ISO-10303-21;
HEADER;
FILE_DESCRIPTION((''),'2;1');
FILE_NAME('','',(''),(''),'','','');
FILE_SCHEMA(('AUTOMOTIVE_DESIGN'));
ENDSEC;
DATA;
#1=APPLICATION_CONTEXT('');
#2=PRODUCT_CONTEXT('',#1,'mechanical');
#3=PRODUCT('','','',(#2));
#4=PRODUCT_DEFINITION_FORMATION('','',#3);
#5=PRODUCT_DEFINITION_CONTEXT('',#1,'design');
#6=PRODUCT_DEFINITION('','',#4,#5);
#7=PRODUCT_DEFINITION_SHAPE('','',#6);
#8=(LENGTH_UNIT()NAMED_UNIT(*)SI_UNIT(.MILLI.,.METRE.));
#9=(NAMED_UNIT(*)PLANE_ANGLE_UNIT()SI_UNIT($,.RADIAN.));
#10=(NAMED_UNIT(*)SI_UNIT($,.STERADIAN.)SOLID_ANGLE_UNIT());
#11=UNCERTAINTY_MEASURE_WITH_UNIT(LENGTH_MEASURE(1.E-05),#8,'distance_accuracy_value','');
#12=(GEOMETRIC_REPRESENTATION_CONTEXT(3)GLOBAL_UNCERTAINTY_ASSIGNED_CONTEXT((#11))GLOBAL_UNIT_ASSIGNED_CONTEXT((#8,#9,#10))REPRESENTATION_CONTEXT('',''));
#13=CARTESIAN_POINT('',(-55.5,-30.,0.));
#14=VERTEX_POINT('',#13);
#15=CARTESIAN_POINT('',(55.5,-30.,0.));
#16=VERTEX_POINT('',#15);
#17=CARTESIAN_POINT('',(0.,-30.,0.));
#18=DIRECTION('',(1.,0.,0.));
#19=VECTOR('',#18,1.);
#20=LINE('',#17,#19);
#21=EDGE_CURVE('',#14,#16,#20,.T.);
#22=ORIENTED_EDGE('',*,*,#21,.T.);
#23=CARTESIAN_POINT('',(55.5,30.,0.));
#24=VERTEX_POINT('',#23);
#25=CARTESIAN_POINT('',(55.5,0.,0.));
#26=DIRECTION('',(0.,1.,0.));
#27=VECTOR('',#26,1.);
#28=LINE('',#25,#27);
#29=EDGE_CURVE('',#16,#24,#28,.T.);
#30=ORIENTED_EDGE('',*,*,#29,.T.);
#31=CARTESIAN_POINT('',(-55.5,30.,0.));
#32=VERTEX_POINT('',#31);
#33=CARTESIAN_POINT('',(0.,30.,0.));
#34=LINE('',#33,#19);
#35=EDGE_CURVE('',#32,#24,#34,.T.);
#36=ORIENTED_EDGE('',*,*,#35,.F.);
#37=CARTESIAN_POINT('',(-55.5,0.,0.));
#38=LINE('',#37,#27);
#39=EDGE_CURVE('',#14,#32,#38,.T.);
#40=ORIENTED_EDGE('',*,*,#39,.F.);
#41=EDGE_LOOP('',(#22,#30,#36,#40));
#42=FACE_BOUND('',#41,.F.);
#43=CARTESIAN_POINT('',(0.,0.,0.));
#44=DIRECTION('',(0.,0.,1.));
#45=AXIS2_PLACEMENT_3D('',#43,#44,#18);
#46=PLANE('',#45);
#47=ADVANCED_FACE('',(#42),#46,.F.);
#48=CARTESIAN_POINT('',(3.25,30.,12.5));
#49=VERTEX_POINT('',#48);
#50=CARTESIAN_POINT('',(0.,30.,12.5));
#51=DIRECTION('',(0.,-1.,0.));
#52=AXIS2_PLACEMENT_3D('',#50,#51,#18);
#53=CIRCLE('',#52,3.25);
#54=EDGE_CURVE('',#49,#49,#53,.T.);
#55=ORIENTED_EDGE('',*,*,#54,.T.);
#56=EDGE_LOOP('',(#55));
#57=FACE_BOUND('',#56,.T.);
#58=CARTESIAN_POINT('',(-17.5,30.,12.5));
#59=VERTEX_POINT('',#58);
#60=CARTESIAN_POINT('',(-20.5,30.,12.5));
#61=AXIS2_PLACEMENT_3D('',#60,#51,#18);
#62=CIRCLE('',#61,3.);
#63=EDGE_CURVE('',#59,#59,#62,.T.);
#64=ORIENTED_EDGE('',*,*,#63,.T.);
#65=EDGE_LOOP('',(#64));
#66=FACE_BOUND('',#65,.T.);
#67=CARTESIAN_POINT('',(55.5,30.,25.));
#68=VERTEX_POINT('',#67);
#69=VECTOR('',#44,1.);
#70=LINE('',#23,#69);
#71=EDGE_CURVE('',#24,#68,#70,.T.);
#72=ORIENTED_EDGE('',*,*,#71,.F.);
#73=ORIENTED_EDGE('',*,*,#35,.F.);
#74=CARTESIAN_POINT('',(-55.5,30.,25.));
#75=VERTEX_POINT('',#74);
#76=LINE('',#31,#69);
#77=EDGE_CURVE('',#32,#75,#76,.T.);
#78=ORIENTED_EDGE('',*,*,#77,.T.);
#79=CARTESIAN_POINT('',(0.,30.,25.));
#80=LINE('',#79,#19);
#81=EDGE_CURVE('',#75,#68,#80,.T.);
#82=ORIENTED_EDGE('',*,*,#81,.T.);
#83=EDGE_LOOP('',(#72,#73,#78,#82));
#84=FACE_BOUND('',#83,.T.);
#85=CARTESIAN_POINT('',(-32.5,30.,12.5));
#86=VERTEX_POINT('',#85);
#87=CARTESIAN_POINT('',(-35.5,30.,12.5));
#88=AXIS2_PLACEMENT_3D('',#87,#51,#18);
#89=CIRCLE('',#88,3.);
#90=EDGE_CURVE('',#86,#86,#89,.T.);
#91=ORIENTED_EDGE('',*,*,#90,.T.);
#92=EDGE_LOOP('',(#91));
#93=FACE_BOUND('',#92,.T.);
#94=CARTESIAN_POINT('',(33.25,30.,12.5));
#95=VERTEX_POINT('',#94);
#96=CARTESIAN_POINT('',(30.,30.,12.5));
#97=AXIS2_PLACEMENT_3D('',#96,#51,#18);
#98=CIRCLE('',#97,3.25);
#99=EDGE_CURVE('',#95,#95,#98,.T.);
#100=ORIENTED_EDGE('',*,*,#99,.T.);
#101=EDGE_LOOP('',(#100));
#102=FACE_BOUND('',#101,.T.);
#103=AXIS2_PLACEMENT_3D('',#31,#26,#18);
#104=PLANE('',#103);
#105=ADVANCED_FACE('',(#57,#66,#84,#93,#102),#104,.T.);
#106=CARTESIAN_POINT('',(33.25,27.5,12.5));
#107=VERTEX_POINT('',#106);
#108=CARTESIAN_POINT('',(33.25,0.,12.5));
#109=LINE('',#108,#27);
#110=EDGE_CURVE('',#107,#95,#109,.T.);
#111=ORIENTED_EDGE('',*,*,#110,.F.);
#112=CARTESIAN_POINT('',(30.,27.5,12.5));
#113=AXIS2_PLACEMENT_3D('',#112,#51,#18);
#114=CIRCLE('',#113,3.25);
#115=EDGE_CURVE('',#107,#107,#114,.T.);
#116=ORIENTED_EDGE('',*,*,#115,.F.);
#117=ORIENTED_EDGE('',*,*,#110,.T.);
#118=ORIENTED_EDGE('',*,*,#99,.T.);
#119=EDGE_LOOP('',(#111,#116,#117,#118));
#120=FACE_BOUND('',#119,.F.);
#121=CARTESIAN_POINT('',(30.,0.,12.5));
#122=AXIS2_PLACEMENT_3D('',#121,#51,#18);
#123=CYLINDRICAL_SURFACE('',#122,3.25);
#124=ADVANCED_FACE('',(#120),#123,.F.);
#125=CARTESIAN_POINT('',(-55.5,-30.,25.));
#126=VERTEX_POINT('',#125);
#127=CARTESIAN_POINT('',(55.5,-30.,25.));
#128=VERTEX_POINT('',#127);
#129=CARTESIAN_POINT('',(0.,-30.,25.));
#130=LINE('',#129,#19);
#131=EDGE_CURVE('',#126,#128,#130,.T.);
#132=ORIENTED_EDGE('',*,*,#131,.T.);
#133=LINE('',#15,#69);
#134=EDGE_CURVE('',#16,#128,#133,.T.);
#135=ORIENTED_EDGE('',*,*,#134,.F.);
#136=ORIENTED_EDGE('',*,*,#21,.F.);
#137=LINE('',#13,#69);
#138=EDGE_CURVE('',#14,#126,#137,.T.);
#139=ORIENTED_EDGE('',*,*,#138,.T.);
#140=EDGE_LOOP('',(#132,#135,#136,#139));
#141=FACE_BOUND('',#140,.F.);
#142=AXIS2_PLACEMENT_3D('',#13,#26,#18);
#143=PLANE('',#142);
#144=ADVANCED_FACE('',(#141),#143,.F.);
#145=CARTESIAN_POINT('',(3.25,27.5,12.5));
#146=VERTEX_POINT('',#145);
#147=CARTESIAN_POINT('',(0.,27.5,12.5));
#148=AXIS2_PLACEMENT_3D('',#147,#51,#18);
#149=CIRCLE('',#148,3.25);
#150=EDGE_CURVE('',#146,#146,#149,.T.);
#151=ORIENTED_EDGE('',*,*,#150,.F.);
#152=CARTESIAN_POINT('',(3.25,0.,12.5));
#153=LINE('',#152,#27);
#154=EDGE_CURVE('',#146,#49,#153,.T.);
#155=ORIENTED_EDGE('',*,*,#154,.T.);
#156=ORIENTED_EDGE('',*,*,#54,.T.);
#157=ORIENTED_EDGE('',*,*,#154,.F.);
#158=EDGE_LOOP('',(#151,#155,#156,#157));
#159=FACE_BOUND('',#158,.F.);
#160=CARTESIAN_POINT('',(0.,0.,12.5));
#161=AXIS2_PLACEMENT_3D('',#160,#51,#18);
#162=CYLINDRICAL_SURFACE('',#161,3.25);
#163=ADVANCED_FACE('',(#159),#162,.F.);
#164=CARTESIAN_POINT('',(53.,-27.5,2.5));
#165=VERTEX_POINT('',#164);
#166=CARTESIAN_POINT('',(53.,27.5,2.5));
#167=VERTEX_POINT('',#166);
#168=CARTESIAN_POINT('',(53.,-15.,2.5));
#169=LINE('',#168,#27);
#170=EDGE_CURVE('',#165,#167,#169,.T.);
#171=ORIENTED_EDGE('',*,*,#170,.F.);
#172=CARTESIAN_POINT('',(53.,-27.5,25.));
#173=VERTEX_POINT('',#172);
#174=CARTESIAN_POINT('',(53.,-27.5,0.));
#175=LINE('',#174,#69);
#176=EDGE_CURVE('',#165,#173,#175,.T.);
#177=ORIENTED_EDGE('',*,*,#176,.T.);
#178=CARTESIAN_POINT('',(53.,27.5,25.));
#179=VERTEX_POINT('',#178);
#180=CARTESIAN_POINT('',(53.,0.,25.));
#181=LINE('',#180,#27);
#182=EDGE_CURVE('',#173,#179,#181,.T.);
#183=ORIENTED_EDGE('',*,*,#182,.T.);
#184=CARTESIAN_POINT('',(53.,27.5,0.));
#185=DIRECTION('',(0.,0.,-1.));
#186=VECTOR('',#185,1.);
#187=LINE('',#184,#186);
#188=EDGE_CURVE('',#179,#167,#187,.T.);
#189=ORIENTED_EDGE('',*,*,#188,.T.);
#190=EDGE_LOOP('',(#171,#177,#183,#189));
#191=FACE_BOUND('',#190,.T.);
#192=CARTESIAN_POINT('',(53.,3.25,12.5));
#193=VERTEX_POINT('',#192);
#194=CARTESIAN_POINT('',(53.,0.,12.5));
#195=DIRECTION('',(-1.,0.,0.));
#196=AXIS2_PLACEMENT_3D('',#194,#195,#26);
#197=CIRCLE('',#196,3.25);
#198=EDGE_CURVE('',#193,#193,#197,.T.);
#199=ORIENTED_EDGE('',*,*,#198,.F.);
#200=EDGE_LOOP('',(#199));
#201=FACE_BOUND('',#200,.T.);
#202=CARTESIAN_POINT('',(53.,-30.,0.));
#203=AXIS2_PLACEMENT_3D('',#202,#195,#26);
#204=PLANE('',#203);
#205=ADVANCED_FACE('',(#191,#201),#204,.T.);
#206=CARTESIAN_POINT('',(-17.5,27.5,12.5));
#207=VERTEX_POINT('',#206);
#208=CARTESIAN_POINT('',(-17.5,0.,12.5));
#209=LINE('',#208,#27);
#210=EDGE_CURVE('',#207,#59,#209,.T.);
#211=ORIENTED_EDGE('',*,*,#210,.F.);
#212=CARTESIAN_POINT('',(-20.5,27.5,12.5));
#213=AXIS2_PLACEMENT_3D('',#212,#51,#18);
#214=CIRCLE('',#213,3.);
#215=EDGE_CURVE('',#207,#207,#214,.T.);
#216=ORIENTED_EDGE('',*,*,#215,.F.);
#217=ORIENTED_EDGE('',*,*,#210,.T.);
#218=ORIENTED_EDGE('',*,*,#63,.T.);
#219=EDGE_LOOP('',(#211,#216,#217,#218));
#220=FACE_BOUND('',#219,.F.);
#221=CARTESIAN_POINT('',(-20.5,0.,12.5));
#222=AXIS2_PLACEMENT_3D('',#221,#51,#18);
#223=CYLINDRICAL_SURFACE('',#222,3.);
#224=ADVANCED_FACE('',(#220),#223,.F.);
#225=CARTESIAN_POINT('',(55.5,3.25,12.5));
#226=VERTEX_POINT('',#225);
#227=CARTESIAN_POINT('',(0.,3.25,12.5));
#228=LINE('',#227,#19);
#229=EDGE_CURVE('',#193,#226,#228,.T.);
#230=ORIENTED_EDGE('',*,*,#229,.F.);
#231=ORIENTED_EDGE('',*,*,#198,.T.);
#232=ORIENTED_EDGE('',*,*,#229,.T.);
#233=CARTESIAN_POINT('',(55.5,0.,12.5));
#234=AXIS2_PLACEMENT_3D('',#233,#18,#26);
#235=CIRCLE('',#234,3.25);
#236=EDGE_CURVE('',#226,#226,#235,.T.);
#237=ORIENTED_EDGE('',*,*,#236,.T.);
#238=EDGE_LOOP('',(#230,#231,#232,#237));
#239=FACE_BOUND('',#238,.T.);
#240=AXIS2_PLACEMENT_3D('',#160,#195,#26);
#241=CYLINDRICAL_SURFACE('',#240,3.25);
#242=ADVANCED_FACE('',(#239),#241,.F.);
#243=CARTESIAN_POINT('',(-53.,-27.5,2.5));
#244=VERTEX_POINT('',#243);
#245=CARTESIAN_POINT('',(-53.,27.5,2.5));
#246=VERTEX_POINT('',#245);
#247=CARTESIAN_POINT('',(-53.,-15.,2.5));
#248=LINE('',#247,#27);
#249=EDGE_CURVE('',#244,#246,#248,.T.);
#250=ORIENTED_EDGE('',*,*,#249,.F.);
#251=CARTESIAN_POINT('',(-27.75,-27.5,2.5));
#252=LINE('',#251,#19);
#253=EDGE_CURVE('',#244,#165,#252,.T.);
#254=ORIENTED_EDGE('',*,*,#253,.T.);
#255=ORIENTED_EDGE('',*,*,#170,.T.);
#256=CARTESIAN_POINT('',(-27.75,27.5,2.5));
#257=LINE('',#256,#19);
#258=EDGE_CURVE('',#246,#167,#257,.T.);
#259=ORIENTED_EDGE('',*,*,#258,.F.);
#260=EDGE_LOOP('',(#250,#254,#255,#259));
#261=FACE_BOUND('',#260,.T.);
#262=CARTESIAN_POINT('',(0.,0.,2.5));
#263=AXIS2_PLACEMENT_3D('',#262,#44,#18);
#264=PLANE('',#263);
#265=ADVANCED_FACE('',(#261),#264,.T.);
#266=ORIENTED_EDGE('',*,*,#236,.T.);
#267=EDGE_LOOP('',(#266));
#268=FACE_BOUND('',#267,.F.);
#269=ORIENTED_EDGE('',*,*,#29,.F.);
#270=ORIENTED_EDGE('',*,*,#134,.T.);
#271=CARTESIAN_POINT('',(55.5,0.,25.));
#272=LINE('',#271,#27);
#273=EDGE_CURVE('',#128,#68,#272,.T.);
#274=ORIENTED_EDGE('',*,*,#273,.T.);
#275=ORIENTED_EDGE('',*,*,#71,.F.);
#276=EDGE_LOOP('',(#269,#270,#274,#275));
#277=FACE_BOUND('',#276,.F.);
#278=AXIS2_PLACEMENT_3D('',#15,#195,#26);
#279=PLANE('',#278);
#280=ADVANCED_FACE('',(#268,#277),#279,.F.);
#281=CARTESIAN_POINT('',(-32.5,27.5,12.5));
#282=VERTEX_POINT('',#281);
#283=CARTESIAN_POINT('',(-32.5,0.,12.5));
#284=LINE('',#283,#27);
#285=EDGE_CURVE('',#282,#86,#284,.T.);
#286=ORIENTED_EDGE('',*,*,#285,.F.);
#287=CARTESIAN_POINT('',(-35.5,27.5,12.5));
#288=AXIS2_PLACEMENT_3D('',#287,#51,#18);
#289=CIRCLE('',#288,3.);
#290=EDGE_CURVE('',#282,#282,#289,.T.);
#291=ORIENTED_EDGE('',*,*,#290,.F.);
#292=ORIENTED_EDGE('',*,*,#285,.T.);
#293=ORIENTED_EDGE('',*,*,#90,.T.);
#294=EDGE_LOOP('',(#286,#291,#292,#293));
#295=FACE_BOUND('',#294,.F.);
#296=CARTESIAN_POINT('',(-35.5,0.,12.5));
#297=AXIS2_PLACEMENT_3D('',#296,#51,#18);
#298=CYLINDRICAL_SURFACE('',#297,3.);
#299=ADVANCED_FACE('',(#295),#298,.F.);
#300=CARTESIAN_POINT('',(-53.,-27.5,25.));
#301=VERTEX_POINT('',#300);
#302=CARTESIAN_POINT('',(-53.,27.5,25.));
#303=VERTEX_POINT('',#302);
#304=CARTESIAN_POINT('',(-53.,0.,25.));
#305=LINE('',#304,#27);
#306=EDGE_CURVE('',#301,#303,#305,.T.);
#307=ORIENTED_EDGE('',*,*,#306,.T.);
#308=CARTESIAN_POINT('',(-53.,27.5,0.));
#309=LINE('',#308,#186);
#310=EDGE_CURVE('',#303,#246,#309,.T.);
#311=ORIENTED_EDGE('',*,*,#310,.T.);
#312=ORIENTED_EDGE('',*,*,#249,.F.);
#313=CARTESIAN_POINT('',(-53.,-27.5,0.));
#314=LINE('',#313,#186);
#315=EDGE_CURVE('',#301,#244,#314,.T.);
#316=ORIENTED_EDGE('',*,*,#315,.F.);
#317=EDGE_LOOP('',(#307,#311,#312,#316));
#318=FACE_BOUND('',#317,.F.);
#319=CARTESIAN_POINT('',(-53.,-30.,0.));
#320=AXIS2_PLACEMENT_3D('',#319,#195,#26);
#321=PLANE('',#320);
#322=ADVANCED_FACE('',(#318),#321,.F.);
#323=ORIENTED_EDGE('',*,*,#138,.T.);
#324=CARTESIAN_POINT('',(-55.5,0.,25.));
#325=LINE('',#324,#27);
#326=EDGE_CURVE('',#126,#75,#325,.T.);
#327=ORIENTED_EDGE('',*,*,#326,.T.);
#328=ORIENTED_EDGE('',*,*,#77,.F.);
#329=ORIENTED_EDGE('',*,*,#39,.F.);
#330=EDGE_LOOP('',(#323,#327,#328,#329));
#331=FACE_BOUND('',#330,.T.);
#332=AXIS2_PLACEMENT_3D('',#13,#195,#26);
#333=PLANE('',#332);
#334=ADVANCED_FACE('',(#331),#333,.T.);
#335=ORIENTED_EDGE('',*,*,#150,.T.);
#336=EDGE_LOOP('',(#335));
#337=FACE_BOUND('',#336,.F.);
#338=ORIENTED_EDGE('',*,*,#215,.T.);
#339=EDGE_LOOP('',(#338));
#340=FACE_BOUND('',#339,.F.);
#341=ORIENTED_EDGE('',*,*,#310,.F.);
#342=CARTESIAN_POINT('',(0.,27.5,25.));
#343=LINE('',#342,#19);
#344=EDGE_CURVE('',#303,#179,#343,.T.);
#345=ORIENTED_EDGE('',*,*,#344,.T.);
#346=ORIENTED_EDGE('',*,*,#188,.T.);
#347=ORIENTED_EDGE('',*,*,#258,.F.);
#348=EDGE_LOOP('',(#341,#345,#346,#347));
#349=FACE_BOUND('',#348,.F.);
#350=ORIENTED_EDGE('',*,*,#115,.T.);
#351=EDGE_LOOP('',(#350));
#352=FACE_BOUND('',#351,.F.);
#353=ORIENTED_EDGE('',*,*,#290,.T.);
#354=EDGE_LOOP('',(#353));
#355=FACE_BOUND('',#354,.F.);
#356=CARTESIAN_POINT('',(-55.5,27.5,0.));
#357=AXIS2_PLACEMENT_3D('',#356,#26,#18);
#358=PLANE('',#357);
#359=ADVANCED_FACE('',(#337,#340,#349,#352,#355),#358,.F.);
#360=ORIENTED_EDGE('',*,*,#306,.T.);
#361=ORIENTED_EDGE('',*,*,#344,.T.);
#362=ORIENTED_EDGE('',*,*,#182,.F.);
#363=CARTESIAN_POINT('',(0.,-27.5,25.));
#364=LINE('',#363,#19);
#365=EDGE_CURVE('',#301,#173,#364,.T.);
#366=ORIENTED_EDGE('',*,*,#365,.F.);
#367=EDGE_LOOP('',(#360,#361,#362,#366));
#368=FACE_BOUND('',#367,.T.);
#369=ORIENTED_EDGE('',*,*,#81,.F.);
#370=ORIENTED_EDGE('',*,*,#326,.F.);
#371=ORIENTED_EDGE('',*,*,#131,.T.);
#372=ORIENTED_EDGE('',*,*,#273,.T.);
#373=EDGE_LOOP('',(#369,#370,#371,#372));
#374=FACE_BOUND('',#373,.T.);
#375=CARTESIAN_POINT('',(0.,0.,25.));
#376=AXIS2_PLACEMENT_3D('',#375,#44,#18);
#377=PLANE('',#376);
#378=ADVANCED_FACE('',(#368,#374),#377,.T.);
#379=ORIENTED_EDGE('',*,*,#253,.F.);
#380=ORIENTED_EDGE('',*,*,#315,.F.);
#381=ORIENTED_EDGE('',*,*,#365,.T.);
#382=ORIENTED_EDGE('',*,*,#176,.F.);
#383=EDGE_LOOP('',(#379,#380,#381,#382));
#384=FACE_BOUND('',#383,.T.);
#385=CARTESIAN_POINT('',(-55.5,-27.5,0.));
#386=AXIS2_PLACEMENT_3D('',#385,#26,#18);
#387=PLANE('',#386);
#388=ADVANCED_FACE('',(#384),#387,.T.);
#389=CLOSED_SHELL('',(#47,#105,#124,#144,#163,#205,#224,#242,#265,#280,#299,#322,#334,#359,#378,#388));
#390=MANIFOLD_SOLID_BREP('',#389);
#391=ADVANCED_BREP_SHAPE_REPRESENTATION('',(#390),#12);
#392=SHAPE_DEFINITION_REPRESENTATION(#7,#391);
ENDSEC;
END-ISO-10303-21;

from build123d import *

# Parameters (mm, degrees)
F0_W     = 111
F0_H     = 60
F1_DEPTH = 25
F2_T     = -2.5
F3_R     = 3.25
F4_DEPTH = 55.5
F5_R     = 3.25
F6_DEPTH = 30
F7_R     = 3
F8_DEPTH = 30


with BuildPart() as f1:
    # F0 (on Top) → F1 (new body)
    with BuildSketch(Plane.XY):
        Rectangle(F0_W, F0_H)
    extrude(amount=F1_DEPTH)

    # F2
    f2_openings = [f1.faces().sort_by_distance(p)[0] for p in [
        (0, 0, 25),
    ]]
    offset(amount=F2_T, openings=f2_openings)

    # F3 (on Right) → F4 (cut, through all)
    with BuildSketch(Plane.YZ):
        with Locations((0, 12.5)):
            Circle(F3_R)
    extrude(amount=F4_DEPTH, mode=Mode.SUBTRACT)

    # F5 (on Front) → F6 (cut, through all)
    with BuildSketch(Plane.XZ):
        with Locations((0, 12.5)):
            Circle(F5_R)
        with Locations((30, 12.5)):
            Circle(F5_R)
    extrude(amount=-F6_DEPTH, mode=Mode.SUBTRACT)

    # F7 (on Front) → F8 (cut, through all)
    with BuildSketch(Plane.XZ):
        with Locations((-35.5, 12.5)):
            Circle(F7_R)
        with Locations((-20.5, 12.5)):
            Circle(F7_R)
    extrude(amount=-F8_DEPTH, mode=Mode.SUBTRACT)


solid = f1.part
